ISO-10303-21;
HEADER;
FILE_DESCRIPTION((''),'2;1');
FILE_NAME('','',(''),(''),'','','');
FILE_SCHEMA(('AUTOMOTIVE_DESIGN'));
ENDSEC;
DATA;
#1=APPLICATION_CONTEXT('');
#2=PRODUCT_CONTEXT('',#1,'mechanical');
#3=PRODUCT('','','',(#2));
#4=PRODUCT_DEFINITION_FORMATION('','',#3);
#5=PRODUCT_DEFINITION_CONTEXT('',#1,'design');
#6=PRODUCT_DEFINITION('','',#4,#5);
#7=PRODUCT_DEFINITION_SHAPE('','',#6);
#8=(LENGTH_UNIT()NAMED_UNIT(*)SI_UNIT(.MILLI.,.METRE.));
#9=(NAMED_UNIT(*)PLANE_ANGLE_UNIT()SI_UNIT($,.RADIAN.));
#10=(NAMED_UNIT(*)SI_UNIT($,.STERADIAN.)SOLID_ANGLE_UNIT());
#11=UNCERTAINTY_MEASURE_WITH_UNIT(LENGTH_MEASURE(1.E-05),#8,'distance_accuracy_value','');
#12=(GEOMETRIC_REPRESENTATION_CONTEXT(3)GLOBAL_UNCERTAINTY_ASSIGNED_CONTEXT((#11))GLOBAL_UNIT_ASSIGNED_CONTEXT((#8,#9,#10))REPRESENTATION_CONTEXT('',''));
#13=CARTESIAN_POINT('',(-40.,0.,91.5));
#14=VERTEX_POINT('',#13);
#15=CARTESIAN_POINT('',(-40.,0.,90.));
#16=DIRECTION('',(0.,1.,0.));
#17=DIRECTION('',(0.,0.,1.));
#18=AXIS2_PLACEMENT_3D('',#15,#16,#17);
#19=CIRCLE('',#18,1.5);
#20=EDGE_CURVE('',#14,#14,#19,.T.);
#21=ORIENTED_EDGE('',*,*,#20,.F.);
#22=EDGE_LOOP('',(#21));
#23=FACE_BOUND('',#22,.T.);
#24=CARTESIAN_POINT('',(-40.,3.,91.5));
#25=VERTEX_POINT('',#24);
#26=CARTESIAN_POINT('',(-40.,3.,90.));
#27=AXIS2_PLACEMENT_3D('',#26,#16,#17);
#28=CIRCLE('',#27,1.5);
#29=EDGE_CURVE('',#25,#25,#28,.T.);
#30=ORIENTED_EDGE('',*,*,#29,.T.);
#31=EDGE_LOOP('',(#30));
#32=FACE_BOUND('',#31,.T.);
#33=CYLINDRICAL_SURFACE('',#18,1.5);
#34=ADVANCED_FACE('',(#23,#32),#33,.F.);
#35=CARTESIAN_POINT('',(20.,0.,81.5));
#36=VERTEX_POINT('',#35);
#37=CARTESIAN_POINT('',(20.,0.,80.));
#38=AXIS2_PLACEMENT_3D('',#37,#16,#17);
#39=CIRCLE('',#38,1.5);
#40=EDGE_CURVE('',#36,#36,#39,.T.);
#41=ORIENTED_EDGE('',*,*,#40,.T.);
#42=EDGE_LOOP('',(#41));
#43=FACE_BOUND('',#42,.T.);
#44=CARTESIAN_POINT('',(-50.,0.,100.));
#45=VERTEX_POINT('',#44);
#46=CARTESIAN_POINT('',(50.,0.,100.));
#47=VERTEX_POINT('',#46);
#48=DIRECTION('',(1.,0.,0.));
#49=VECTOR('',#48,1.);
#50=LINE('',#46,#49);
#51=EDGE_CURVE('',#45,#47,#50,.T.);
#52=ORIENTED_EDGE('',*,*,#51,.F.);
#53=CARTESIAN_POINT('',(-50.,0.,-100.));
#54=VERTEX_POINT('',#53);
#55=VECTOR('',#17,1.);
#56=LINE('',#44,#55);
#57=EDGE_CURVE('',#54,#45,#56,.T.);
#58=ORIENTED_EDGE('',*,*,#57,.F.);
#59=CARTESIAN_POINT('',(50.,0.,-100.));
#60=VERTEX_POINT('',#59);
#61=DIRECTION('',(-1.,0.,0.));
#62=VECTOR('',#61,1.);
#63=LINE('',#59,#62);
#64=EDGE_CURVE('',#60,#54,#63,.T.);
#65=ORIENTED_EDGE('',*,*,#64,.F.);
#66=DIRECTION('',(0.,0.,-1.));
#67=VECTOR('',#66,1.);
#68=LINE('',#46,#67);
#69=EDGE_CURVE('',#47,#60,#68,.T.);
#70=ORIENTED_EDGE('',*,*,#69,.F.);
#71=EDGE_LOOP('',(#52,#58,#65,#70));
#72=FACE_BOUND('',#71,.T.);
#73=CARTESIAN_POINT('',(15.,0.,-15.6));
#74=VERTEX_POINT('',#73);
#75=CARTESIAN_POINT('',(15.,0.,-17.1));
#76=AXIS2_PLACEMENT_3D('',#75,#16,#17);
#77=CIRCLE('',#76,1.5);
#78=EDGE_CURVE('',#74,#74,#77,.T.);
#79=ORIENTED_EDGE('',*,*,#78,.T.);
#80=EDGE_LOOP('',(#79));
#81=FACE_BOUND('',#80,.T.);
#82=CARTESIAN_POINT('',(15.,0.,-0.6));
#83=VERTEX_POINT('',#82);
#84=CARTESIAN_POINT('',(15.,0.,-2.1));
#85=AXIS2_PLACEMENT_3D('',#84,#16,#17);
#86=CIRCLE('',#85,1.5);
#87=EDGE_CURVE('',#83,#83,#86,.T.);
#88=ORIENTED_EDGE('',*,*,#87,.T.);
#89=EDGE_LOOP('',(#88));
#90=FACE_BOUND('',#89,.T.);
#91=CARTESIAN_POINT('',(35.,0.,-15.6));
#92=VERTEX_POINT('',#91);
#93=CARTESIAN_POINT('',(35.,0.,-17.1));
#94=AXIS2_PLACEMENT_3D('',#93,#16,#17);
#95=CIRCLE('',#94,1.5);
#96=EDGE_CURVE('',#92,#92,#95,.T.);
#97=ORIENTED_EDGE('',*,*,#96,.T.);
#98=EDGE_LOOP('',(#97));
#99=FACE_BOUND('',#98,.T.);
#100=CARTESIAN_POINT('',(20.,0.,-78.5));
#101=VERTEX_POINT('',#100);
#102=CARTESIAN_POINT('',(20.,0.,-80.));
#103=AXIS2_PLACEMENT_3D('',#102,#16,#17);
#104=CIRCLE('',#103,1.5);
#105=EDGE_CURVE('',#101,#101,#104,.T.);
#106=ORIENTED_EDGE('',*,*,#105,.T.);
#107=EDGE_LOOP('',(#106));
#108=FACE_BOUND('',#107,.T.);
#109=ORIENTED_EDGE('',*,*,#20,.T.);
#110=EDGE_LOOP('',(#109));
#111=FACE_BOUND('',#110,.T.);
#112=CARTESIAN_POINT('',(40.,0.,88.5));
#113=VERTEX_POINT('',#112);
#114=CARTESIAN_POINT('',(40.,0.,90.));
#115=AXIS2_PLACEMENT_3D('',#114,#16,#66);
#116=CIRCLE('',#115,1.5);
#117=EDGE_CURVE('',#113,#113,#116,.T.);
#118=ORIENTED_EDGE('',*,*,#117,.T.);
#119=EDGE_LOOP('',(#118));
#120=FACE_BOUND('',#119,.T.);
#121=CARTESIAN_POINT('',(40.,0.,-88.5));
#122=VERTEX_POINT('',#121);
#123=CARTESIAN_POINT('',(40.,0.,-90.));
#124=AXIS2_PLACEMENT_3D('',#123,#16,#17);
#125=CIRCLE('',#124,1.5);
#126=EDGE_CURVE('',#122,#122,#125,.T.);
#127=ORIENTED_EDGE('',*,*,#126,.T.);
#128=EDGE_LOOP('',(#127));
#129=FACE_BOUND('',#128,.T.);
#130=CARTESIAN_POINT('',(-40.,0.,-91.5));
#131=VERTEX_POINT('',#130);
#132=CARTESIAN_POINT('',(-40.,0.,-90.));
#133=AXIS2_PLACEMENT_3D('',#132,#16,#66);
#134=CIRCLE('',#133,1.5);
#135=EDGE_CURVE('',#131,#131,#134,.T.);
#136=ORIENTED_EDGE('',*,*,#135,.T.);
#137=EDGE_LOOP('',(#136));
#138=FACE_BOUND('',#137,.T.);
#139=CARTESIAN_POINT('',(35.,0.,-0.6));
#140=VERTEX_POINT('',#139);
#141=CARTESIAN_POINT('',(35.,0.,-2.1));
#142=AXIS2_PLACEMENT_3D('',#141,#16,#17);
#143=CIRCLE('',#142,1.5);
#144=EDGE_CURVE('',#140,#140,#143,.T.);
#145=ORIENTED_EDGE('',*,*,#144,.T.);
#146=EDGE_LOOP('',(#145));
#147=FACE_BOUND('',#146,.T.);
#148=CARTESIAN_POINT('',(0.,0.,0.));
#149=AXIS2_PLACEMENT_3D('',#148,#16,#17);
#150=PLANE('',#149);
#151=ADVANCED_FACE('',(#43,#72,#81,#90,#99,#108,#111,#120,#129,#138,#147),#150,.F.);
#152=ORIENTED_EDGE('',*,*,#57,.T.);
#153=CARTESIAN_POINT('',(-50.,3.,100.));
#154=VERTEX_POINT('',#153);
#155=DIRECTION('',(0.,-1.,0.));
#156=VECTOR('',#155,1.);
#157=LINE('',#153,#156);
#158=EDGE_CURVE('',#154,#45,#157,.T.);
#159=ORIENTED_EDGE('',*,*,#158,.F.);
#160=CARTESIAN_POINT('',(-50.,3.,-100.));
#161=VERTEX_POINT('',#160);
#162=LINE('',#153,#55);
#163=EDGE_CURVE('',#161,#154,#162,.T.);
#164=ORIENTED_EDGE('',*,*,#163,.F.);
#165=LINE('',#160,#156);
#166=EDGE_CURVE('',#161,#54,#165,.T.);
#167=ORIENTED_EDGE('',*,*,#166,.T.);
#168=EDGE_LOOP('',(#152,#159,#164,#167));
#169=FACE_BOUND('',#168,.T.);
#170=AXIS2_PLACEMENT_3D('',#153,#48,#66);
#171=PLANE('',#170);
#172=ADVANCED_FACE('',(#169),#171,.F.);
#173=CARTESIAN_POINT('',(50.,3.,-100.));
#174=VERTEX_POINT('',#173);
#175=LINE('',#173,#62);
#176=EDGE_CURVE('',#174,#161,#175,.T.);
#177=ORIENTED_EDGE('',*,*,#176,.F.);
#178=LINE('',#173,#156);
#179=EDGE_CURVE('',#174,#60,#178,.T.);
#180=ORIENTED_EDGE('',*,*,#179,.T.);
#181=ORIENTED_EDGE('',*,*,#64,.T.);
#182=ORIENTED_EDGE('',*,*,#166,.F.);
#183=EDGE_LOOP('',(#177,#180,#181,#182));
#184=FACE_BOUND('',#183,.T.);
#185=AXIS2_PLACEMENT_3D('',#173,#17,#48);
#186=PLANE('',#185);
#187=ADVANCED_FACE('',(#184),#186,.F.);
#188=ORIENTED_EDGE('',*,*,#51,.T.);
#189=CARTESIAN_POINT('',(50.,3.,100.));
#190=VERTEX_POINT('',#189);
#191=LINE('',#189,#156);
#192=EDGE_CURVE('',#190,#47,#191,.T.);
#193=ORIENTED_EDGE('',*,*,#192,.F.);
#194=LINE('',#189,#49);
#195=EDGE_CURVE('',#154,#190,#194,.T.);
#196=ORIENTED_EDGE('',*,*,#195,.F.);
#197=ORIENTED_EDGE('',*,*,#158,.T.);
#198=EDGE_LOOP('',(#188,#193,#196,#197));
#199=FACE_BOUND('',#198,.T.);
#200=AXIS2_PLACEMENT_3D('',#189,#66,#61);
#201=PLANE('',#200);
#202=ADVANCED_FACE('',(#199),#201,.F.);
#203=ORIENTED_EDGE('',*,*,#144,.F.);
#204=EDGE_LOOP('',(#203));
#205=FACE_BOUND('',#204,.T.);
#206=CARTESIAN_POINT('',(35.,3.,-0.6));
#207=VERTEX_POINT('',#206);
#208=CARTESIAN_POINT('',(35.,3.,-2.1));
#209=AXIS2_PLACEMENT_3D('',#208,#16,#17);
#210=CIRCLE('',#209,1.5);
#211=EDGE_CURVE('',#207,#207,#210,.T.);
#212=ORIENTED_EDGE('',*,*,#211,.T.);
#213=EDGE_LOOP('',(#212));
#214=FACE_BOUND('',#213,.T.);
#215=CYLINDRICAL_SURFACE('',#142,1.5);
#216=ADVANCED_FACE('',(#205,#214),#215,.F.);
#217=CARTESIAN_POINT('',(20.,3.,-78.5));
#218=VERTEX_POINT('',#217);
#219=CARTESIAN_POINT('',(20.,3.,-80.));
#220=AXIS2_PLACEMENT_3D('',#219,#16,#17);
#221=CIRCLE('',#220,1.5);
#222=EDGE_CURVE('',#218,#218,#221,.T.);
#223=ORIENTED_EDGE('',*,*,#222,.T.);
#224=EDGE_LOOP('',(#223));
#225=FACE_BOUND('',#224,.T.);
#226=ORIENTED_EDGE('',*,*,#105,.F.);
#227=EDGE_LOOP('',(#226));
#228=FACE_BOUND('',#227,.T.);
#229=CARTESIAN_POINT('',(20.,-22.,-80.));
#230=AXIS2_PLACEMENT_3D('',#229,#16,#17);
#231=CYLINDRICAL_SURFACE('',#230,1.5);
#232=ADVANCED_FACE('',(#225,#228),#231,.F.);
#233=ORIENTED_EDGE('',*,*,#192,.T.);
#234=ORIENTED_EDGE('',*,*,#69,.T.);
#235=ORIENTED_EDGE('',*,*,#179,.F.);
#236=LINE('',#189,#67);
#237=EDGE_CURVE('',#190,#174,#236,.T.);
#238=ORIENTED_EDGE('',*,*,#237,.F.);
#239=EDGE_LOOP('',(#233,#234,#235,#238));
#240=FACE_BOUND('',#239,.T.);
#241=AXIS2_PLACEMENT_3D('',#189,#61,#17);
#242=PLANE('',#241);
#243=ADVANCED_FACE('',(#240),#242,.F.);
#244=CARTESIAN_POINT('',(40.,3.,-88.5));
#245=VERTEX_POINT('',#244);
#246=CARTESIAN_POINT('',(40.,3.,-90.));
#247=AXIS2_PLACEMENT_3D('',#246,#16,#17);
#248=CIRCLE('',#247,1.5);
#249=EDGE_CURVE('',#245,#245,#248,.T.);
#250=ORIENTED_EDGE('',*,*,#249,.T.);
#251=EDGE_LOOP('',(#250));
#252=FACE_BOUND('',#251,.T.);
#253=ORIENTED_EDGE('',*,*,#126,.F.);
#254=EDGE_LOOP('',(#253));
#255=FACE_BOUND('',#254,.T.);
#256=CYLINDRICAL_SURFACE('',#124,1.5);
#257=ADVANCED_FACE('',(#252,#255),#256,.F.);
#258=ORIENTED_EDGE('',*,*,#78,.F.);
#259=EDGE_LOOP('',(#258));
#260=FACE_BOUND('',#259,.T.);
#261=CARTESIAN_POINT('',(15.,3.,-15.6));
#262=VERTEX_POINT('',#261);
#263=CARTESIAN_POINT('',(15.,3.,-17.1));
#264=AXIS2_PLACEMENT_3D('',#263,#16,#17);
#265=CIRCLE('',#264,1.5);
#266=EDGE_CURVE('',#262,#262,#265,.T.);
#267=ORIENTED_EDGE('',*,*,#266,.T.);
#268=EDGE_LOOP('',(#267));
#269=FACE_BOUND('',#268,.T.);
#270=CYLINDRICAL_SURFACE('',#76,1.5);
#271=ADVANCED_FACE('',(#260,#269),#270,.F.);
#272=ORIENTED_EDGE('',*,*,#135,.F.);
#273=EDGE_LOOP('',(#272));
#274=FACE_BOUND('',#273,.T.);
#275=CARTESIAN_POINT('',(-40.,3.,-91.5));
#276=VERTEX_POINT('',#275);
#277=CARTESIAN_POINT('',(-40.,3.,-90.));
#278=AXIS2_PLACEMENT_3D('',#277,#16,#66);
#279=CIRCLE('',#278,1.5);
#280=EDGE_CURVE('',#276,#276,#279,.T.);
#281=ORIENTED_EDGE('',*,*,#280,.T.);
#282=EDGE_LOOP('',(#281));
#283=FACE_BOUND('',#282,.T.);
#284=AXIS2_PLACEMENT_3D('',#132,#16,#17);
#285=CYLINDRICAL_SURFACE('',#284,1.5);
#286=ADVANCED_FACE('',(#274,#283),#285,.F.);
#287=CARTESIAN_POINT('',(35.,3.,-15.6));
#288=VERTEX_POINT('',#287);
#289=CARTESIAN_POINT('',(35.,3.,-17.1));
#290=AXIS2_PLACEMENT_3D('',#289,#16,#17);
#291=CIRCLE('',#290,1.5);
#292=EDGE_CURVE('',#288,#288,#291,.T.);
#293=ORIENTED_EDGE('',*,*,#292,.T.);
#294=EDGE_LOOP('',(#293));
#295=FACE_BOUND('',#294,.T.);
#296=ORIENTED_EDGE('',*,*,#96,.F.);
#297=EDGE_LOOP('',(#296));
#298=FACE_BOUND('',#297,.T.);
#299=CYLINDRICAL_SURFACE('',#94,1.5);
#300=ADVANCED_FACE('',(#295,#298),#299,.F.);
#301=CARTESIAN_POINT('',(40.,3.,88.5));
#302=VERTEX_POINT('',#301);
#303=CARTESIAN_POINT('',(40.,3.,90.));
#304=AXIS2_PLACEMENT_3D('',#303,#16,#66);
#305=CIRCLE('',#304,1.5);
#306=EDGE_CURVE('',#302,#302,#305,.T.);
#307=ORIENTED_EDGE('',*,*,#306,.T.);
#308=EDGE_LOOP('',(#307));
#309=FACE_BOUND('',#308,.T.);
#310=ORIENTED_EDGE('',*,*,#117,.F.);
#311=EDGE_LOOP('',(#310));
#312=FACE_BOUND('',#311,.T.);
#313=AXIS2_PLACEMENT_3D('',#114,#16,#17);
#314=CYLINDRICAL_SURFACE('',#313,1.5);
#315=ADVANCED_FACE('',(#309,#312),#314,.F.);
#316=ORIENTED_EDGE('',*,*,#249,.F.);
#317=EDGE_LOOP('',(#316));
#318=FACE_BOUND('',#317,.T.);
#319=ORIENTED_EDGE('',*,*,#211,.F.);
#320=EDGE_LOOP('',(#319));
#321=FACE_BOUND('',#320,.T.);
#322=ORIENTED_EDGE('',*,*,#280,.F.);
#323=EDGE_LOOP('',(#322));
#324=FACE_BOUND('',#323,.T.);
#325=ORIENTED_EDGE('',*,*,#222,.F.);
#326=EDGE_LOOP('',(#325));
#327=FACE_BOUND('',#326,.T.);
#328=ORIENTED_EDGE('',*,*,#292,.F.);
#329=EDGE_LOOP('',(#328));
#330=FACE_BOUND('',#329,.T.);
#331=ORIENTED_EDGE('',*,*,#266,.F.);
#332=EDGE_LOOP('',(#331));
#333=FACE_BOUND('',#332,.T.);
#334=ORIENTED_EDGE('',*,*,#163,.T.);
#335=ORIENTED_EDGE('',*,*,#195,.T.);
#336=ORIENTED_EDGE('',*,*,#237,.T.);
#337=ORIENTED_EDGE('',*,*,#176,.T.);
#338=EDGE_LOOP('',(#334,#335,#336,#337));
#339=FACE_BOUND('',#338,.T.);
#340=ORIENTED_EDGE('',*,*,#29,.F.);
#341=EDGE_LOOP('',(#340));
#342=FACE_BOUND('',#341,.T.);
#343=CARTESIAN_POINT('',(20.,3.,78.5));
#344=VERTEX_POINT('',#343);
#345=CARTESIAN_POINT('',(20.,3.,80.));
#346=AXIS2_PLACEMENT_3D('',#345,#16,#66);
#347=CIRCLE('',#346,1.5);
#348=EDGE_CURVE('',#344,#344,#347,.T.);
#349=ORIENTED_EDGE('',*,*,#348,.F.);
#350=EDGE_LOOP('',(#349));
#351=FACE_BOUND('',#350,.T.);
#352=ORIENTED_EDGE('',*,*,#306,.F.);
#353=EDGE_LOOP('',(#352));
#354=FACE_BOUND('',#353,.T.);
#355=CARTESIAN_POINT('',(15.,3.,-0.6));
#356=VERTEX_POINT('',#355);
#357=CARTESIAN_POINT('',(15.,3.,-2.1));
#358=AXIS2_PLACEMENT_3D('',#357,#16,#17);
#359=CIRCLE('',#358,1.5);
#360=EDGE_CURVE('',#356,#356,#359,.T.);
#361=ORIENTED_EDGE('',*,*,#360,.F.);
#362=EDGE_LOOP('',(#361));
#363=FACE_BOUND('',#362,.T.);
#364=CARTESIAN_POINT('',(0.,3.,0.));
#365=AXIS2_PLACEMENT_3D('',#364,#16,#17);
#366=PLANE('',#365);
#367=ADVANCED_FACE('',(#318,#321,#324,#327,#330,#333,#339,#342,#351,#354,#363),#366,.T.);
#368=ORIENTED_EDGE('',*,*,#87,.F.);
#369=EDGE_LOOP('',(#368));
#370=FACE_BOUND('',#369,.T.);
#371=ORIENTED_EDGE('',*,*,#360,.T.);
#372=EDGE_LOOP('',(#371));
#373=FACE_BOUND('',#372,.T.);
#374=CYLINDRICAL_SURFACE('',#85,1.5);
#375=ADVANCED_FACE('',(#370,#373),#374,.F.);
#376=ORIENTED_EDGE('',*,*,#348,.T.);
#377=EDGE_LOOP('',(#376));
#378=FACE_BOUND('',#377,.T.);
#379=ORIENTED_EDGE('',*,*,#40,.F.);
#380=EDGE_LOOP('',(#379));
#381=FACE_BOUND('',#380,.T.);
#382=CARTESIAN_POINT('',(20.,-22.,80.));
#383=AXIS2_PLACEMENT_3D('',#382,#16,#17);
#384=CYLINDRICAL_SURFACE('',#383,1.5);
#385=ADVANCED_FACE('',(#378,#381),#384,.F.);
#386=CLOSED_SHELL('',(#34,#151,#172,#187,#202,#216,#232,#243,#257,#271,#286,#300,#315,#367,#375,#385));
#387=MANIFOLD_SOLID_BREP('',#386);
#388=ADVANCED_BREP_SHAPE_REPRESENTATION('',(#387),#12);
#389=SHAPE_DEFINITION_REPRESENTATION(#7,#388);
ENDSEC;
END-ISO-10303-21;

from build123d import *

# Parameters (mm, degrees)
SKETCH1_W           = 100
SKETCH1_H           = 200
BOSS_EXTRUDE1_DEPTH = 3
SKETCH2_R           = 1.5
CUT_EXTRUDE1_DEPTH  = 3
SKETCH3_R           = 1.5
CUT_EXTRUDE2_DEPTH  = 25
SKETCH4_R           = 1.5
CUT_EXTRUDE3_DEPTH  = 3


with BuildPart() as part:
    # Sketch1 → Boss-Extrude1 (new body)
    with BuildSketch(Plane(origin=(0, 0, 0), x_dir=(1, 0, 0), z_dir=(0, 1, 0))):
        Rectangle(SKETCH1_W, SKETCH1_H)
    extrude(amount=BOSS_EXTRUDE1_DEPTH)

    # Sketch2 → Cut-Extrude1 (cut)
    with BuildSketch(Plane(origin=(0, 3, 0), x_dir=(1, 0, 0), z_dir=(0, 1, 0))):
        with Locations(Location((-40, -90, 0), (0, 0, 270))):
            Circle(SKETCH2_R)
        with Locations(Location((40, -90, 0), (0, 0, 90))):
            Circle(SKETCH2_R)
        with Locations(Location((40, 90, 0), (0, 0, 270))):
            Circle(SKETCH2_R)
        with Locations(Location((-40, 90, 0), (0, 0, 90))):
            Circle(SKETCH2_R)
    extrude(amount=-CUT_EXTRUDE1_DEPTH, mode=Mode.SUBTRACT)

    # Sketch3 → Cut-Extrude2 (cut)
    with BuildSketch(Plane(origin=(0, 3, 0), x_dir=(1, 0, 0), z_dir=(0, 1, 0))):
        with Locations(Location((20, 80, 0), (0, 0, 270))):
            Circle(SKETCH3_R)
        with Locations(Location((20, -80, 0), (0, 0, 270))):
            Circle(SKETCH3_R)
    extrude(amount=-CUT_EXTRUDE2_DEPTH, mode=Mode.SUBTRACT)

    # Sketch4 → Cut-Extrude3 (cut)
    with BuildSketch(Plane(origin=(0, 3, 0), x_dir=(1, 0, 0), z_dir=(0, 1, 0))):
        with Locations(Location((35, 17.1, 0), (0, 0, 270))):
            Circle(SKETCH4_R)
        with Locations(Location((15, 2.1, 0), (0, 0, 270))):
            Circle(SKETCH4_R)
        with Locations(Location((15, 17.1, 0), (0, 0, 270))):
            Circle(SKETCH4_R)
        with Locations(Location((35, 2.1, 0), (0, 0, 270))):
            Circle(SKETCH4_R)
    extrude(amount=-CUT_EXTRUDE3_DEPTH, mode=Mode.SUBTRACT)


solid = part.part
